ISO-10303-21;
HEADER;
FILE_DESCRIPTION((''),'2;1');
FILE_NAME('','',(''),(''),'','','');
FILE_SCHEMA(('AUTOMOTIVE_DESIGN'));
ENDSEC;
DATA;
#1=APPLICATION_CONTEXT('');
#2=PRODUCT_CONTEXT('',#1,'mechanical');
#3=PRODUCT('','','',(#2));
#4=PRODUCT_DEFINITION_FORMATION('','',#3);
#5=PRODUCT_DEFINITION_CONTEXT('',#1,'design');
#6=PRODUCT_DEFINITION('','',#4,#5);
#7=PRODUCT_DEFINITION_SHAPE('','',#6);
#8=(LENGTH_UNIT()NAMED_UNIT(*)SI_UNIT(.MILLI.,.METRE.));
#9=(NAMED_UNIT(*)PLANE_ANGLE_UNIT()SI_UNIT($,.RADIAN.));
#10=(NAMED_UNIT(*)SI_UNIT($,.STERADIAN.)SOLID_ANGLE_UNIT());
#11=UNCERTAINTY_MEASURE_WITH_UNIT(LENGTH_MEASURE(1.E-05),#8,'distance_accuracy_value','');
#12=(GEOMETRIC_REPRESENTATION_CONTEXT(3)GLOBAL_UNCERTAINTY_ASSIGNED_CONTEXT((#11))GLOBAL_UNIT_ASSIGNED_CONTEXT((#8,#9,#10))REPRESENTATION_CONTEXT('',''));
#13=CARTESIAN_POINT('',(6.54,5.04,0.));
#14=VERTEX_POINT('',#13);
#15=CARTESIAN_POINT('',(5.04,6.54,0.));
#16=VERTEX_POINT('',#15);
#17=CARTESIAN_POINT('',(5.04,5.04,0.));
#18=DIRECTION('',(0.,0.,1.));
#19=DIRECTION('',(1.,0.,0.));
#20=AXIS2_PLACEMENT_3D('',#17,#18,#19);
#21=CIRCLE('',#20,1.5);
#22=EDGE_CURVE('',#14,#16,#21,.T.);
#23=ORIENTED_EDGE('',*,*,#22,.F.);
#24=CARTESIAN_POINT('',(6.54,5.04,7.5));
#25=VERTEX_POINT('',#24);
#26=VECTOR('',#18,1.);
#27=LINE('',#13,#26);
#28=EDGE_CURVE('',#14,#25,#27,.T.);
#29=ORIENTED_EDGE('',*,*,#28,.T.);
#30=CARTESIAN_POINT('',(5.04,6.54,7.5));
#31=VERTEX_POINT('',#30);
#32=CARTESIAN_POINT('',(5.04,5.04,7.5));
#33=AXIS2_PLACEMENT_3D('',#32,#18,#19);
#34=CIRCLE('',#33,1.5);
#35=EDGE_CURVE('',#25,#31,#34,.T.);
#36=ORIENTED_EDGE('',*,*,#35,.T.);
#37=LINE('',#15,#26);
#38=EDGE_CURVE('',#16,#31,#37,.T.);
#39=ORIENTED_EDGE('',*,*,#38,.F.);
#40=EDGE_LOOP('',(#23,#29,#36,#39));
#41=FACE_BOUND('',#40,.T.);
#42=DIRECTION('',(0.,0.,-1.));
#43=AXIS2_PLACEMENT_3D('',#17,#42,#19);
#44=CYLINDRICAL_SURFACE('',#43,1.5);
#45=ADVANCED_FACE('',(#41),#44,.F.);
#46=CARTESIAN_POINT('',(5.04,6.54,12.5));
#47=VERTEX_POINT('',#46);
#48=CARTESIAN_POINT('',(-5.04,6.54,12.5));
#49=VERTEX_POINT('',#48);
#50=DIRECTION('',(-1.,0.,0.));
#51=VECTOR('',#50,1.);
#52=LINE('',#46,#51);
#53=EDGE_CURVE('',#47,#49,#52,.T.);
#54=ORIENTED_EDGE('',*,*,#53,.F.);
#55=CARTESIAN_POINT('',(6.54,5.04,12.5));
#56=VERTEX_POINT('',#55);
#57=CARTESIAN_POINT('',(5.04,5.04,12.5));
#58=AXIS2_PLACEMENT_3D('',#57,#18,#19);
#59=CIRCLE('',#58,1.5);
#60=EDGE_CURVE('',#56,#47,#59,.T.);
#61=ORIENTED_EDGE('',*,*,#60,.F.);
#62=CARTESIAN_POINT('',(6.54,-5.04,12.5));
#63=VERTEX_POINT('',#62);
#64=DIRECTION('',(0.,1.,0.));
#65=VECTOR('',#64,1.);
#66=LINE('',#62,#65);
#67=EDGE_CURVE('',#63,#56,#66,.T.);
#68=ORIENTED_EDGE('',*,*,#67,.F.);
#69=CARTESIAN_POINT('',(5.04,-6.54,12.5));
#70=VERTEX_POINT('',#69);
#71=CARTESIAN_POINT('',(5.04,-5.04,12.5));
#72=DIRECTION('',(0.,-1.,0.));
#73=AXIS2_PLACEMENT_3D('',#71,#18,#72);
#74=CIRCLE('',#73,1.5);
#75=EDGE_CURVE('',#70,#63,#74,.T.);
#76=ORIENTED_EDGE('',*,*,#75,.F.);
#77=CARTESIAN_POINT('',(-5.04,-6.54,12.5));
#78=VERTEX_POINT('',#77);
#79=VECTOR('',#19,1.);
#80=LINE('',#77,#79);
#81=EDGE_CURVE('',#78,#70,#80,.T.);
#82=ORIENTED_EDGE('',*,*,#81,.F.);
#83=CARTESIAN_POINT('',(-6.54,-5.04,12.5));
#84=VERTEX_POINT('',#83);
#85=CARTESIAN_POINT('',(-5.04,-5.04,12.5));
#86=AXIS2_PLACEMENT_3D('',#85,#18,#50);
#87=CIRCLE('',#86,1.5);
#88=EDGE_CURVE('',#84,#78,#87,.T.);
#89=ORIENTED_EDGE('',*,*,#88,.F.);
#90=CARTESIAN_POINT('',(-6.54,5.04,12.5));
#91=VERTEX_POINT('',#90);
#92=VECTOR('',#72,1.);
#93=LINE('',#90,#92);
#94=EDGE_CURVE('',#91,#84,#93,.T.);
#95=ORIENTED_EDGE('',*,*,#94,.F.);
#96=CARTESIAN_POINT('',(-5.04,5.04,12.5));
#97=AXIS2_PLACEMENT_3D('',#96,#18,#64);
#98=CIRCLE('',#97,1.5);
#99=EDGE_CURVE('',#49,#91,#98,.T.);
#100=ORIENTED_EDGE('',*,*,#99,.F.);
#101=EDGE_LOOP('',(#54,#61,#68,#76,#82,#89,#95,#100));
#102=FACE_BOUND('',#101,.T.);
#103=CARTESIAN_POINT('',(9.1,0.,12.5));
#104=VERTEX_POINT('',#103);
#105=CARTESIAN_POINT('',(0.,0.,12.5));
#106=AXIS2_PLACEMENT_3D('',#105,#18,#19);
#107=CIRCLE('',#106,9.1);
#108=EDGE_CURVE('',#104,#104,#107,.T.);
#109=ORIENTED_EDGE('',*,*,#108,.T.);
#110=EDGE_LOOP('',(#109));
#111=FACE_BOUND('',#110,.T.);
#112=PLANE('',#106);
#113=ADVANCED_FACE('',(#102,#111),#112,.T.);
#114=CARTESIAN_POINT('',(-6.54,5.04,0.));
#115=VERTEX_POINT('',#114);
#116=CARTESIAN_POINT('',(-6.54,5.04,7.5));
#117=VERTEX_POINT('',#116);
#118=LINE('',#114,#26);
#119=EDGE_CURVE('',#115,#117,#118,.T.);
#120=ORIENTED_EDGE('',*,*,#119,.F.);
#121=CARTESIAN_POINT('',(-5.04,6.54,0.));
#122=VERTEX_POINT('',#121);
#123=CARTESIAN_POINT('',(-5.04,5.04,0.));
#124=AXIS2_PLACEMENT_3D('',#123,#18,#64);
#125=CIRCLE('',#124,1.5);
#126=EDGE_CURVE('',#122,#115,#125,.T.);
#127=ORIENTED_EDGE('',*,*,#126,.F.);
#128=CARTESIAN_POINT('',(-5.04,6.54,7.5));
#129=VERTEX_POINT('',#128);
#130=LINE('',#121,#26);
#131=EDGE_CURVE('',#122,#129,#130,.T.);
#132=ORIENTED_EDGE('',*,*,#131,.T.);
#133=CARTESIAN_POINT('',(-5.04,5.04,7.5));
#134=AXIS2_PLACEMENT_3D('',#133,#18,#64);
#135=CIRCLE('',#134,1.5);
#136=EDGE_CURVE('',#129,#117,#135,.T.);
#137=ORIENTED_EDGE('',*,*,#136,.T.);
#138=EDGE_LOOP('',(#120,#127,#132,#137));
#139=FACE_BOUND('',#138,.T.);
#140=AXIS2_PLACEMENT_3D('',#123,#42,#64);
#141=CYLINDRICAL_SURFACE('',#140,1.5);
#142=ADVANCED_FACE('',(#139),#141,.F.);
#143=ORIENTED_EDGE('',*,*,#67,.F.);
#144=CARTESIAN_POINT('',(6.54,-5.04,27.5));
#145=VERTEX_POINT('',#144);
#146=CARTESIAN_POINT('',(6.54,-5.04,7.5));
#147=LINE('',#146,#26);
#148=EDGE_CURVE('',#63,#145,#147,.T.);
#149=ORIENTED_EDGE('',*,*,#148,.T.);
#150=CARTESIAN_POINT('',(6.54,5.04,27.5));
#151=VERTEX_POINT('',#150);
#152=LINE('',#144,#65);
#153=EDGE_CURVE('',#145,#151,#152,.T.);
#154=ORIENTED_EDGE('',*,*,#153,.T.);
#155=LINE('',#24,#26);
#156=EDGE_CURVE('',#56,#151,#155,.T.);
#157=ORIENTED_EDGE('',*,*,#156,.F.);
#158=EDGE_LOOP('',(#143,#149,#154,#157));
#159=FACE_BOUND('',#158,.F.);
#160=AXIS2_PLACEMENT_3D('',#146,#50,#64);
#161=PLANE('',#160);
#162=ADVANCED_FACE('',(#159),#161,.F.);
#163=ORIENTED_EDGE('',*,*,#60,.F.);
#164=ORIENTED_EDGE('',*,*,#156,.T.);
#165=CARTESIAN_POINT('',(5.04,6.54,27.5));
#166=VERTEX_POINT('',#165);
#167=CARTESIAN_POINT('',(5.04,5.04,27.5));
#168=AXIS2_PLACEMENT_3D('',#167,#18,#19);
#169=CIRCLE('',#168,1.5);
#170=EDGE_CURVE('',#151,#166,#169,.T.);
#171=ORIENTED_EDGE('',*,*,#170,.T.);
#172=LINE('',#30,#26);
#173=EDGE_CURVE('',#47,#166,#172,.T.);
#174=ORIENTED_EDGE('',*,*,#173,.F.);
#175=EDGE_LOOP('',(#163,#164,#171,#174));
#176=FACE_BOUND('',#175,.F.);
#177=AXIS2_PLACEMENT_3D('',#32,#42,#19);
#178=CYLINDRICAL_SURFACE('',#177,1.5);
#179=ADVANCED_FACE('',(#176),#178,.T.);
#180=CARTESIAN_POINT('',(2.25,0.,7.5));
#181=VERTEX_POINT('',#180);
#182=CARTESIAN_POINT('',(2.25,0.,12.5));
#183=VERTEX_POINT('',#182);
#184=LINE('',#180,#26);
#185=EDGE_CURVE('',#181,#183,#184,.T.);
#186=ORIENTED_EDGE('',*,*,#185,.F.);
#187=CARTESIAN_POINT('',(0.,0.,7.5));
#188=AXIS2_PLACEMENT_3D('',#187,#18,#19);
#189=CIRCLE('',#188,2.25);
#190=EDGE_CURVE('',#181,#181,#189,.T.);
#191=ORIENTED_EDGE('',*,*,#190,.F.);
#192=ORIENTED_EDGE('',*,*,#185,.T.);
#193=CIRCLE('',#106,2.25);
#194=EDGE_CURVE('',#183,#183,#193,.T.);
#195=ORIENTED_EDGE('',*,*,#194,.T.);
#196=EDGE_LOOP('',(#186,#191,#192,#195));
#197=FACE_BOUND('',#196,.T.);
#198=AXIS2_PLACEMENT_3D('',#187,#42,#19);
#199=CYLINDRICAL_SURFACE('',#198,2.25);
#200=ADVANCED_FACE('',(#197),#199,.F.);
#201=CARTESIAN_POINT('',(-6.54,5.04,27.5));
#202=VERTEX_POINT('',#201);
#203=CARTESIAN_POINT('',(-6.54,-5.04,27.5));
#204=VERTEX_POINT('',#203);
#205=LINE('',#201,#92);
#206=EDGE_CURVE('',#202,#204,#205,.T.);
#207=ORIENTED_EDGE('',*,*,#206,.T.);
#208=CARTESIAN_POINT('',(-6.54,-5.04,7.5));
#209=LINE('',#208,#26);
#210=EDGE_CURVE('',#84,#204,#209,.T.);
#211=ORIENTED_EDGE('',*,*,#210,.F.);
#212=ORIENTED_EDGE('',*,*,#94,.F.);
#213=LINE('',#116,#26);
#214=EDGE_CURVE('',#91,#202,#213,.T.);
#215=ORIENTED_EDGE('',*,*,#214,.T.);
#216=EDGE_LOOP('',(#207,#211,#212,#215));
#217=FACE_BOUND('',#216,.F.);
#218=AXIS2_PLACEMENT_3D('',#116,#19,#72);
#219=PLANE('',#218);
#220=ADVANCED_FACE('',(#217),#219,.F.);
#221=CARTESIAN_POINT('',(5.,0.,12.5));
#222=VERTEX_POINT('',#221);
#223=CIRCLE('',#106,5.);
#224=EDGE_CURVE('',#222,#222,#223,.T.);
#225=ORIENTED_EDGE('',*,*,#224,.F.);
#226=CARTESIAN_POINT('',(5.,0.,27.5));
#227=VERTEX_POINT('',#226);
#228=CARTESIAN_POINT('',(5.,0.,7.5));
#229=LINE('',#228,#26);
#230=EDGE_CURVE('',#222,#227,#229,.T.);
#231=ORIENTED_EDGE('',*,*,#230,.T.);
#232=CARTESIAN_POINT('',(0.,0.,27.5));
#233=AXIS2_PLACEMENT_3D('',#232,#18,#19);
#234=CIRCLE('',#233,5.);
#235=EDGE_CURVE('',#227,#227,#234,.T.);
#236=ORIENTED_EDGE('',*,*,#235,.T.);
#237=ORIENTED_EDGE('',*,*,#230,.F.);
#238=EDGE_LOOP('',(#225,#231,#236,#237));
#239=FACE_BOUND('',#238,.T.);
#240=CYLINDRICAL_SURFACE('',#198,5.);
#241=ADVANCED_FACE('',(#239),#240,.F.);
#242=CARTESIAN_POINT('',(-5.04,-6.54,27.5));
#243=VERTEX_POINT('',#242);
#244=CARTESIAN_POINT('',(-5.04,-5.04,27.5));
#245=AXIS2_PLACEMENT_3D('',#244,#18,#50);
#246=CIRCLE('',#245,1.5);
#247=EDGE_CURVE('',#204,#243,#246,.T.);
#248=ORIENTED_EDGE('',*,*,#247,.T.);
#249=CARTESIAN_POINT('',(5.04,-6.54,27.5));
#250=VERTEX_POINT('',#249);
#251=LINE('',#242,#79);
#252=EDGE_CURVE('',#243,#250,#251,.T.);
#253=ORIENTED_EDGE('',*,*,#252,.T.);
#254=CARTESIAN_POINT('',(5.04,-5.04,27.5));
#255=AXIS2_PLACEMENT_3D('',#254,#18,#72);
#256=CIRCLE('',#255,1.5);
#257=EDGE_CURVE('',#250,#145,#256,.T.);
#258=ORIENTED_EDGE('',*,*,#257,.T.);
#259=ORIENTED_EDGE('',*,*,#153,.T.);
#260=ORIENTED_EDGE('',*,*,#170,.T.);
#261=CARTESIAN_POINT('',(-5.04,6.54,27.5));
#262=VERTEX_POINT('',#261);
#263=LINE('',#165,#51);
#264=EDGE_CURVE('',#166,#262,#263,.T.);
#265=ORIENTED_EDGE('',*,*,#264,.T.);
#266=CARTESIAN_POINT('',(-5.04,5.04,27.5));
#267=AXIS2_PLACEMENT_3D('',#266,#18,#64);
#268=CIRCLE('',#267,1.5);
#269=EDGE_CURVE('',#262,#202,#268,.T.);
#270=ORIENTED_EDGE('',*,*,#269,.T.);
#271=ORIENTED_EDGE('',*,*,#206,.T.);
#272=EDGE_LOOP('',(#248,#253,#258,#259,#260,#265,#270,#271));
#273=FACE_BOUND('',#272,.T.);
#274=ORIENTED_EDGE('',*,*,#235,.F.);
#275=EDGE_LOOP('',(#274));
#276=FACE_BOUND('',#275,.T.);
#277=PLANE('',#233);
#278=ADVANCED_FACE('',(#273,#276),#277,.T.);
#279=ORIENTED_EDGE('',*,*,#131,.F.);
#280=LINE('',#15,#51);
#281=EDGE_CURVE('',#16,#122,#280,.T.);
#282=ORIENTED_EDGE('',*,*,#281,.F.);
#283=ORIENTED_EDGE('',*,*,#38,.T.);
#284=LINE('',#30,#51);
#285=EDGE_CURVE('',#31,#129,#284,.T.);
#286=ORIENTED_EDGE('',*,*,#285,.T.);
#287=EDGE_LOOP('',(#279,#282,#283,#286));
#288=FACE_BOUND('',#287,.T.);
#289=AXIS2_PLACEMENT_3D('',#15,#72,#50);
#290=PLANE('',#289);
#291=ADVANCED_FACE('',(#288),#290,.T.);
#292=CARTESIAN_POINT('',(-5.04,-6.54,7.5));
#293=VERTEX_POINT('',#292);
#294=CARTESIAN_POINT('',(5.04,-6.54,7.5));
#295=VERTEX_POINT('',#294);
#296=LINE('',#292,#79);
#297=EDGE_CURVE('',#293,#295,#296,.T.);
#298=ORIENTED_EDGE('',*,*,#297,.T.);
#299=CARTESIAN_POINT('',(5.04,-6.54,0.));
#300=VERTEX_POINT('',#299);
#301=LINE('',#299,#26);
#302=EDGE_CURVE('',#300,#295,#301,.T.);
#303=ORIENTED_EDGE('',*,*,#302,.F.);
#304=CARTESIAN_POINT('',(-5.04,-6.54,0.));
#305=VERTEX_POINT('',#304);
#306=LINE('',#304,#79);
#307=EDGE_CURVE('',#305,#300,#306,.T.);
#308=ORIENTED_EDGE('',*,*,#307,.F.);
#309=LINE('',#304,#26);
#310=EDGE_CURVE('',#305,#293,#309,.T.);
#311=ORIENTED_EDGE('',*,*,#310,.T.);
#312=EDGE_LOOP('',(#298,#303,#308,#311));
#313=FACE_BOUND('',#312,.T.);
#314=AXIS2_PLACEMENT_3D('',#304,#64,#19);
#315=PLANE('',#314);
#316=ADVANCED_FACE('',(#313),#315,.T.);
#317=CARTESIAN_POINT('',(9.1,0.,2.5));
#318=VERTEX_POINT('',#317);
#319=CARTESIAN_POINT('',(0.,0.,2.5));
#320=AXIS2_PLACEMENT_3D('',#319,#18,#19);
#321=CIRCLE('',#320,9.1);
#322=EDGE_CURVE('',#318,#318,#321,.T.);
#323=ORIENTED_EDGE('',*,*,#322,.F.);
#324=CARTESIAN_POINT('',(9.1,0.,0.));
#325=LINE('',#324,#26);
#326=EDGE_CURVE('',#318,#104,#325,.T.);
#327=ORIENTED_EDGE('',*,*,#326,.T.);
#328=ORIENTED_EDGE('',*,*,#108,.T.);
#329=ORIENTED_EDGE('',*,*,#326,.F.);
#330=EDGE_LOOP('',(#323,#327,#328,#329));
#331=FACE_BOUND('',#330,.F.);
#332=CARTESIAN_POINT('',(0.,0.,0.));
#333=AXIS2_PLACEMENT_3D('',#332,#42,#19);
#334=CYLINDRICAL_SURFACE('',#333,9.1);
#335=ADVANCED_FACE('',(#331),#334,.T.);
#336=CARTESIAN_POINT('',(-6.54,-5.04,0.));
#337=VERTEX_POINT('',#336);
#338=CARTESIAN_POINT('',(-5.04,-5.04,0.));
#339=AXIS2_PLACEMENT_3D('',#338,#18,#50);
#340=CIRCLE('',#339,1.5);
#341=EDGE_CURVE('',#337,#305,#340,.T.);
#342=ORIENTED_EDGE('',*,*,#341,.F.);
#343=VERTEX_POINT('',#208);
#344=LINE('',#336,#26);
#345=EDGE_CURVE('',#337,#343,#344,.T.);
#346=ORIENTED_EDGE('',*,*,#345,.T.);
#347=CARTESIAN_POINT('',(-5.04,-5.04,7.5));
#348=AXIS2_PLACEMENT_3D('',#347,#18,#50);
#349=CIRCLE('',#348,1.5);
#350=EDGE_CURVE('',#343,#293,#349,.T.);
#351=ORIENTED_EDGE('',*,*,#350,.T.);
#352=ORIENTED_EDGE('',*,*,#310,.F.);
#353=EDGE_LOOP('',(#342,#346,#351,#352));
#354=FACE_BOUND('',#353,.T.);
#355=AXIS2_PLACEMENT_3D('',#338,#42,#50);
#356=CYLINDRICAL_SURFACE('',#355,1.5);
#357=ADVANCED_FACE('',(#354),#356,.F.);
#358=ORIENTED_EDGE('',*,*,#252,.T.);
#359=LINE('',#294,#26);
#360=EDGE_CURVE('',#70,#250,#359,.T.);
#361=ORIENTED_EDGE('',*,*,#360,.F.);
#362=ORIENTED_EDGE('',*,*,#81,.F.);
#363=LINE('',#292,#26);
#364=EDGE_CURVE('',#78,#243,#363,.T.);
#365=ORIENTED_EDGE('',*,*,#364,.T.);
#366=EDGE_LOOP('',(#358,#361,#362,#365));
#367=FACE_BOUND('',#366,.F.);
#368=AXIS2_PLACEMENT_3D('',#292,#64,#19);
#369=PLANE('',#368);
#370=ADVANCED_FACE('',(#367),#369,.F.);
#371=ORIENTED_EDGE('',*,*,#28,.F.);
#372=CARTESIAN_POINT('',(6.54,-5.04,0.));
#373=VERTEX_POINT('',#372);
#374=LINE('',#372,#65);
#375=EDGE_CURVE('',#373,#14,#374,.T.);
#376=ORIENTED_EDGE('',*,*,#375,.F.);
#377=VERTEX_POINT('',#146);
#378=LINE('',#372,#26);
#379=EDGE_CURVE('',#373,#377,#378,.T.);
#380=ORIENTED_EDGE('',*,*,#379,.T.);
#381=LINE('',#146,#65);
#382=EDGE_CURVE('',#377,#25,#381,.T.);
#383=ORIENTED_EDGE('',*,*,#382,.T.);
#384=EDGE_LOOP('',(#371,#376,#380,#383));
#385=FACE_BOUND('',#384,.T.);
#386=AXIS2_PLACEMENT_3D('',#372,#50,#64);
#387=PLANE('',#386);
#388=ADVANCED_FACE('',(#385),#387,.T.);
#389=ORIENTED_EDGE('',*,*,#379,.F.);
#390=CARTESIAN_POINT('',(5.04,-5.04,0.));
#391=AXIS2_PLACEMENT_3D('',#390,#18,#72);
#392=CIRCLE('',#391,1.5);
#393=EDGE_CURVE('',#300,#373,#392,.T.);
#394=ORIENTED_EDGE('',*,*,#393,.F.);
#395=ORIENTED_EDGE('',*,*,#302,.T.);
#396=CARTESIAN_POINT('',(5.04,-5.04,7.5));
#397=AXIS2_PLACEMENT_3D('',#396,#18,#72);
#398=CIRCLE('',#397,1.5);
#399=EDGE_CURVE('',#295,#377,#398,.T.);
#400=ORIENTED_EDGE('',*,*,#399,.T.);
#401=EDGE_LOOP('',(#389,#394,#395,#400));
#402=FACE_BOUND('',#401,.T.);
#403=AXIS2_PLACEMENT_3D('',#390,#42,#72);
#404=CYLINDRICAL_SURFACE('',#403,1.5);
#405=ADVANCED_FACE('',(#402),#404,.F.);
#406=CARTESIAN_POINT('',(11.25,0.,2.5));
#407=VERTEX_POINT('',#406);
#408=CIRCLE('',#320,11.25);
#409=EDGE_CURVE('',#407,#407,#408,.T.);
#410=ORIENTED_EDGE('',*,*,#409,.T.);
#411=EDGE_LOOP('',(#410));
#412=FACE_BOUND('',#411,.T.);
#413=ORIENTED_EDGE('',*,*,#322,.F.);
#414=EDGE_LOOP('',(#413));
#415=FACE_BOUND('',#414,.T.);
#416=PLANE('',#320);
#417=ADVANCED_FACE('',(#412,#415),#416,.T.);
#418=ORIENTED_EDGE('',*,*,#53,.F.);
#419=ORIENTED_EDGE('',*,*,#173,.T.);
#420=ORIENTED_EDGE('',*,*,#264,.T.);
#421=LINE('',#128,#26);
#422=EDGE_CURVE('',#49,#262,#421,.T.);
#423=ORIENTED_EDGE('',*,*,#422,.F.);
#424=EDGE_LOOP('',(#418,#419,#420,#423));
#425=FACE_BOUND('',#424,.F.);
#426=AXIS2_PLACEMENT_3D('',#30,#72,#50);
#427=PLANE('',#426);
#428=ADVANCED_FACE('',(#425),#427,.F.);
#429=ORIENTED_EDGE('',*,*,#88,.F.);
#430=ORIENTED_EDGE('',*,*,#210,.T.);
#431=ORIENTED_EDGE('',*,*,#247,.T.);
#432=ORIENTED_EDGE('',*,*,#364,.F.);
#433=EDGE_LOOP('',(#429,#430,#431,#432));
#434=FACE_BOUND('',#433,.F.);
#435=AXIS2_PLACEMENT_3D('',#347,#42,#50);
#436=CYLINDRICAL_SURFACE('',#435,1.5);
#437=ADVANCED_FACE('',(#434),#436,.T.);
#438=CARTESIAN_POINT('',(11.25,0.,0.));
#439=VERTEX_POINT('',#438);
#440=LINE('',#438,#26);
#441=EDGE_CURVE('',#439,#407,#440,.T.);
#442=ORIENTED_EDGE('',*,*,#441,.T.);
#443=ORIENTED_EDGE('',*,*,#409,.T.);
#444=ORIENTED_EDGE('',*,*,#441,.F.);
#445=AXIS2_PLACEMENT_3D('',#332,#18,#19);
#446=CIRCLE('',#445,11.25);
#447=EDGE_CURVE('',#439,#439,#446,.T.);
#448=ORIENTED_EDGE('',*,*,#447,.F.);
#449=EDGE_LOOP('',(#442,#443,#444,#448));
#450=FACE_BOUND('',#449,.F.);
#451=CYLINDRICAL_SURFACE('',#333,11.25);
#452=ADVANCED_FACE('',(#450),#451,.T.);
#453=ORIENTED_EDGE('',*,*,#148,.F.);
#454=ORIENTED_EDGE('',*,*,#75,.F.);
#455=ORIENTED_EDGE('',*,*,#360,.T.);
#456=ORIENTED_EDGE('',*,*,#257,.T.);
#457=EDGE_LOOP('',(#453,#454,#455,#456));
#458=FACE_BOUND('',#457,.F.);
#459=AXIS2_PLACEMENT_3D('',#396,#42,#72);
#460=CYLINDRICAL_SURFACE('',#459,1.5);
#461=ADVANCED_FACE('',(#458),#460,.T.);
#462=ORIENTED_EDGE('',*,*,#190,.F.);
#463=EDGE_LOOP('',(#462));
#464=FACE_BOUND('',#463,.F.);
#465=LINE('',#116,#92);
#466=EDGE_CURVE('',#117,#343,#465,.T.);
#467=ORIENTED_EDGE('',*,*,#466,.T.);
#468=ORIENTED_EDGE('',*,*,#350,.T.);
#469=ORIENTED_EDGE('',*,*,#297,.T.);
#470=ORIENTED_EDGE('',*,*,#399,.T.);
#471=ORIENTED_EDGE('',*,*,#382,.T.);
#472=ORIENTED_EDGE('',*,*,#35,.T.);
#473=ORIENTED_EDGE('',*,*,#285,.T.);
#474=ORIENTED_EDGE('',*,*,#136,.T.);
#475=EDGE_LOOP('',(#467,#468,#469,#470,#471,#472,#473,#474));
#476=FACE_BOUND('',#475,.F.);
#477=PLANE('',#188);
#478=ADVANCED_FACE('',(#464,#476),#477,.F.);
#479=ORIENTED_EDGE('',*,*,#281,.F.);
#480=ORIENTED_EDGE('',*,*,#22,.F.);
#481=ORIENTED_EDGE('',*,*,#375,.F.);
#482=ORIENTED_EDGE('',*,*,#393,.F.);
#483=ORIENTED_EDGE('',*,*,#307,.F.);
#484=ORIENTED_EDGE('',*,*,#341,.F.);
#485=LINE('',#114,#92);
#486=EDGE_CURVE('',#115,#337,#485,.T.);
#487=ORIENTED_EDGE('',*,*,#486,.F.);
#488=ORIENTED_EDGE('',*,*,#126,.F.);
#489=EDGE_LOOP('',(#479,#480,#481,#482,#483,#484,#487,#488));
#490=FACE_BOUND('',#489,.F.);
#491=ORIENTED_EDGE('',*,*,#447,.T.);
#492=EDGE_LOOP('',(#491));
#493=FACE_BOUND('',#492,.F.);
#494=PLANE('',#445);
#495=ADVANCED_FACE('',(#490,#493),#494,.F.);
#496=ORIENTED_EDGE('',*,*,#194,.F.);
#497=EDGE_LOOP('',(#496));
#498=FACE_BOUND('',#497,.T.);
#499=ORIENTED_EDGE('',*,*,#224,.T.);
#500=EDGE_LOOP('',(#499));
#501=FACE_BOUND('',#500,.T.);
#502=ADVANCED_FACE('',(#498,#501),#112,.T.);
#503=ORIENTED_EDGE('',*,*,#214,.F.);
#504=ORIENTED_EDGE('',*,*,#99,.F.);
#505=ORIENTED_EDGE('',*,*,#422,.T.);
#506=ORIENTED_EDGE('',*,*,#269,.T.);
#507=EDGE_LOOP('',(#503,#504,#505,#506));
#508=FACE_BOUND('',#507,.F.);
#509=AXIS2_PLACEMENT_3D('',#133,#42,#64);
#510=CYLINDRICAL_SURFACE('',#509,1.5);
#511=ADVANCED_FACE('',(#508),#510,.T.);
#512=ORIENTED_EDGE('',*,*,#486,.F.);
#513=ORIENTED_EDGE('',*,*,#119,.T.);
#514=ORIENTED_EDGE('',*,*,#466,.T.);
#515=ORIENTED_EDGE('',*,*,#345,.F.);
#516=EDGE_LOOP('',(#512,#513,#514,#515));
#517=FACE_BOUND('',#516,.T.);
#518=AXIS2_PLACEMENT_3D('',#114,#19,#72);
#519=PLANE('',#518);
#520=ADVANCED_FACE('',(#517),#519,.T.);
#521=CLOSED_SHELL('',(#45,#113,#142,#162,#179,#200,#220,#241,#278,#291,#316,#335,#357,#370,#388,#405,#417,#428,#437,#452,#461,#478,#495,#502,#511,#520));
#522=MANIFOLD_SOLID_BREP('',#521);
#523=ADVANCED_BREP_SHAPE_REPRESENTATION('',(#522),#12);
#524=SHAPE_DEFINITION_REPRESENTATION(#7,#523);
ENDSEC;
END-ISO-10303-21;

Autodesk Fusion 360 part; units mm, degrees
sketch "bottom" plane through (0, 0, 0) normal (0, 0, 1) x (1, 0, 0)
  circle A0 centre (0, 0) radius 2.25
  circle A1 centre (0, 0) radius 5
  line L0 (5.04, 6.54) -> (-5.04, 6.54)
  line L1 (-6.54, 5.04) -> (-6.54, -5.04)
  line L2 (-5.04, -6.54) -> (5.04, -6.54)
  line L3 (6.54, -5.04) -> (6.54, 5.04)
  line L4 (6.54, 6.54) -> (-6.54, -6.54) construction
  line L5 (-6.54, 6.54) -> (6.54, -6.54) construction
  arc A2 (-5.04, 6.54) -> (-6.54, 5.04) centre (-5.04, 5.04) ccw
  arc A3 (6.54, 5.04) -> (5.04, 6.54) centre (5.04, 5.04) ccw
  arc A4 (5.04, -6.54) -> (6.54, -5.04) centre (5.04, -5.04) ccw
  arc A5 (-6.54, -5.04) -> (-5.04, -6.54) centre (-5.04, -5.04) ccw
  circle A6 centre (0, 0) radius 9.1
  circle A7 centre (0, 0) radius 11.25
  dimension "d1" = 4.5
  dimension "d2" = 10
  dimension "d3" = 13.08
  dimension "d4" = 13.08
  dimension "d5" = 1.5
  dimension "d6" = 18.2
  dimension "d7" = 22.5
extrude "Extrude1" add sketch "bottom" along normal blind 27.5 and the other way blind -7.5 contours L0 L1 L2 L3 A2 A3 A4 A5
extrude "Extrude2" add sketch "bottom" along normal blind 12.5 and the other way blind -7.5 contours A1
extrude "Extrude3" add sketch "bottom" along normal blind 12.5 contours A6
extrude "Extrude4" add sketch "bottom" along normal blind 2.5 contours A7
equation "d12 = 5.00 mm + 7.50 mm"
